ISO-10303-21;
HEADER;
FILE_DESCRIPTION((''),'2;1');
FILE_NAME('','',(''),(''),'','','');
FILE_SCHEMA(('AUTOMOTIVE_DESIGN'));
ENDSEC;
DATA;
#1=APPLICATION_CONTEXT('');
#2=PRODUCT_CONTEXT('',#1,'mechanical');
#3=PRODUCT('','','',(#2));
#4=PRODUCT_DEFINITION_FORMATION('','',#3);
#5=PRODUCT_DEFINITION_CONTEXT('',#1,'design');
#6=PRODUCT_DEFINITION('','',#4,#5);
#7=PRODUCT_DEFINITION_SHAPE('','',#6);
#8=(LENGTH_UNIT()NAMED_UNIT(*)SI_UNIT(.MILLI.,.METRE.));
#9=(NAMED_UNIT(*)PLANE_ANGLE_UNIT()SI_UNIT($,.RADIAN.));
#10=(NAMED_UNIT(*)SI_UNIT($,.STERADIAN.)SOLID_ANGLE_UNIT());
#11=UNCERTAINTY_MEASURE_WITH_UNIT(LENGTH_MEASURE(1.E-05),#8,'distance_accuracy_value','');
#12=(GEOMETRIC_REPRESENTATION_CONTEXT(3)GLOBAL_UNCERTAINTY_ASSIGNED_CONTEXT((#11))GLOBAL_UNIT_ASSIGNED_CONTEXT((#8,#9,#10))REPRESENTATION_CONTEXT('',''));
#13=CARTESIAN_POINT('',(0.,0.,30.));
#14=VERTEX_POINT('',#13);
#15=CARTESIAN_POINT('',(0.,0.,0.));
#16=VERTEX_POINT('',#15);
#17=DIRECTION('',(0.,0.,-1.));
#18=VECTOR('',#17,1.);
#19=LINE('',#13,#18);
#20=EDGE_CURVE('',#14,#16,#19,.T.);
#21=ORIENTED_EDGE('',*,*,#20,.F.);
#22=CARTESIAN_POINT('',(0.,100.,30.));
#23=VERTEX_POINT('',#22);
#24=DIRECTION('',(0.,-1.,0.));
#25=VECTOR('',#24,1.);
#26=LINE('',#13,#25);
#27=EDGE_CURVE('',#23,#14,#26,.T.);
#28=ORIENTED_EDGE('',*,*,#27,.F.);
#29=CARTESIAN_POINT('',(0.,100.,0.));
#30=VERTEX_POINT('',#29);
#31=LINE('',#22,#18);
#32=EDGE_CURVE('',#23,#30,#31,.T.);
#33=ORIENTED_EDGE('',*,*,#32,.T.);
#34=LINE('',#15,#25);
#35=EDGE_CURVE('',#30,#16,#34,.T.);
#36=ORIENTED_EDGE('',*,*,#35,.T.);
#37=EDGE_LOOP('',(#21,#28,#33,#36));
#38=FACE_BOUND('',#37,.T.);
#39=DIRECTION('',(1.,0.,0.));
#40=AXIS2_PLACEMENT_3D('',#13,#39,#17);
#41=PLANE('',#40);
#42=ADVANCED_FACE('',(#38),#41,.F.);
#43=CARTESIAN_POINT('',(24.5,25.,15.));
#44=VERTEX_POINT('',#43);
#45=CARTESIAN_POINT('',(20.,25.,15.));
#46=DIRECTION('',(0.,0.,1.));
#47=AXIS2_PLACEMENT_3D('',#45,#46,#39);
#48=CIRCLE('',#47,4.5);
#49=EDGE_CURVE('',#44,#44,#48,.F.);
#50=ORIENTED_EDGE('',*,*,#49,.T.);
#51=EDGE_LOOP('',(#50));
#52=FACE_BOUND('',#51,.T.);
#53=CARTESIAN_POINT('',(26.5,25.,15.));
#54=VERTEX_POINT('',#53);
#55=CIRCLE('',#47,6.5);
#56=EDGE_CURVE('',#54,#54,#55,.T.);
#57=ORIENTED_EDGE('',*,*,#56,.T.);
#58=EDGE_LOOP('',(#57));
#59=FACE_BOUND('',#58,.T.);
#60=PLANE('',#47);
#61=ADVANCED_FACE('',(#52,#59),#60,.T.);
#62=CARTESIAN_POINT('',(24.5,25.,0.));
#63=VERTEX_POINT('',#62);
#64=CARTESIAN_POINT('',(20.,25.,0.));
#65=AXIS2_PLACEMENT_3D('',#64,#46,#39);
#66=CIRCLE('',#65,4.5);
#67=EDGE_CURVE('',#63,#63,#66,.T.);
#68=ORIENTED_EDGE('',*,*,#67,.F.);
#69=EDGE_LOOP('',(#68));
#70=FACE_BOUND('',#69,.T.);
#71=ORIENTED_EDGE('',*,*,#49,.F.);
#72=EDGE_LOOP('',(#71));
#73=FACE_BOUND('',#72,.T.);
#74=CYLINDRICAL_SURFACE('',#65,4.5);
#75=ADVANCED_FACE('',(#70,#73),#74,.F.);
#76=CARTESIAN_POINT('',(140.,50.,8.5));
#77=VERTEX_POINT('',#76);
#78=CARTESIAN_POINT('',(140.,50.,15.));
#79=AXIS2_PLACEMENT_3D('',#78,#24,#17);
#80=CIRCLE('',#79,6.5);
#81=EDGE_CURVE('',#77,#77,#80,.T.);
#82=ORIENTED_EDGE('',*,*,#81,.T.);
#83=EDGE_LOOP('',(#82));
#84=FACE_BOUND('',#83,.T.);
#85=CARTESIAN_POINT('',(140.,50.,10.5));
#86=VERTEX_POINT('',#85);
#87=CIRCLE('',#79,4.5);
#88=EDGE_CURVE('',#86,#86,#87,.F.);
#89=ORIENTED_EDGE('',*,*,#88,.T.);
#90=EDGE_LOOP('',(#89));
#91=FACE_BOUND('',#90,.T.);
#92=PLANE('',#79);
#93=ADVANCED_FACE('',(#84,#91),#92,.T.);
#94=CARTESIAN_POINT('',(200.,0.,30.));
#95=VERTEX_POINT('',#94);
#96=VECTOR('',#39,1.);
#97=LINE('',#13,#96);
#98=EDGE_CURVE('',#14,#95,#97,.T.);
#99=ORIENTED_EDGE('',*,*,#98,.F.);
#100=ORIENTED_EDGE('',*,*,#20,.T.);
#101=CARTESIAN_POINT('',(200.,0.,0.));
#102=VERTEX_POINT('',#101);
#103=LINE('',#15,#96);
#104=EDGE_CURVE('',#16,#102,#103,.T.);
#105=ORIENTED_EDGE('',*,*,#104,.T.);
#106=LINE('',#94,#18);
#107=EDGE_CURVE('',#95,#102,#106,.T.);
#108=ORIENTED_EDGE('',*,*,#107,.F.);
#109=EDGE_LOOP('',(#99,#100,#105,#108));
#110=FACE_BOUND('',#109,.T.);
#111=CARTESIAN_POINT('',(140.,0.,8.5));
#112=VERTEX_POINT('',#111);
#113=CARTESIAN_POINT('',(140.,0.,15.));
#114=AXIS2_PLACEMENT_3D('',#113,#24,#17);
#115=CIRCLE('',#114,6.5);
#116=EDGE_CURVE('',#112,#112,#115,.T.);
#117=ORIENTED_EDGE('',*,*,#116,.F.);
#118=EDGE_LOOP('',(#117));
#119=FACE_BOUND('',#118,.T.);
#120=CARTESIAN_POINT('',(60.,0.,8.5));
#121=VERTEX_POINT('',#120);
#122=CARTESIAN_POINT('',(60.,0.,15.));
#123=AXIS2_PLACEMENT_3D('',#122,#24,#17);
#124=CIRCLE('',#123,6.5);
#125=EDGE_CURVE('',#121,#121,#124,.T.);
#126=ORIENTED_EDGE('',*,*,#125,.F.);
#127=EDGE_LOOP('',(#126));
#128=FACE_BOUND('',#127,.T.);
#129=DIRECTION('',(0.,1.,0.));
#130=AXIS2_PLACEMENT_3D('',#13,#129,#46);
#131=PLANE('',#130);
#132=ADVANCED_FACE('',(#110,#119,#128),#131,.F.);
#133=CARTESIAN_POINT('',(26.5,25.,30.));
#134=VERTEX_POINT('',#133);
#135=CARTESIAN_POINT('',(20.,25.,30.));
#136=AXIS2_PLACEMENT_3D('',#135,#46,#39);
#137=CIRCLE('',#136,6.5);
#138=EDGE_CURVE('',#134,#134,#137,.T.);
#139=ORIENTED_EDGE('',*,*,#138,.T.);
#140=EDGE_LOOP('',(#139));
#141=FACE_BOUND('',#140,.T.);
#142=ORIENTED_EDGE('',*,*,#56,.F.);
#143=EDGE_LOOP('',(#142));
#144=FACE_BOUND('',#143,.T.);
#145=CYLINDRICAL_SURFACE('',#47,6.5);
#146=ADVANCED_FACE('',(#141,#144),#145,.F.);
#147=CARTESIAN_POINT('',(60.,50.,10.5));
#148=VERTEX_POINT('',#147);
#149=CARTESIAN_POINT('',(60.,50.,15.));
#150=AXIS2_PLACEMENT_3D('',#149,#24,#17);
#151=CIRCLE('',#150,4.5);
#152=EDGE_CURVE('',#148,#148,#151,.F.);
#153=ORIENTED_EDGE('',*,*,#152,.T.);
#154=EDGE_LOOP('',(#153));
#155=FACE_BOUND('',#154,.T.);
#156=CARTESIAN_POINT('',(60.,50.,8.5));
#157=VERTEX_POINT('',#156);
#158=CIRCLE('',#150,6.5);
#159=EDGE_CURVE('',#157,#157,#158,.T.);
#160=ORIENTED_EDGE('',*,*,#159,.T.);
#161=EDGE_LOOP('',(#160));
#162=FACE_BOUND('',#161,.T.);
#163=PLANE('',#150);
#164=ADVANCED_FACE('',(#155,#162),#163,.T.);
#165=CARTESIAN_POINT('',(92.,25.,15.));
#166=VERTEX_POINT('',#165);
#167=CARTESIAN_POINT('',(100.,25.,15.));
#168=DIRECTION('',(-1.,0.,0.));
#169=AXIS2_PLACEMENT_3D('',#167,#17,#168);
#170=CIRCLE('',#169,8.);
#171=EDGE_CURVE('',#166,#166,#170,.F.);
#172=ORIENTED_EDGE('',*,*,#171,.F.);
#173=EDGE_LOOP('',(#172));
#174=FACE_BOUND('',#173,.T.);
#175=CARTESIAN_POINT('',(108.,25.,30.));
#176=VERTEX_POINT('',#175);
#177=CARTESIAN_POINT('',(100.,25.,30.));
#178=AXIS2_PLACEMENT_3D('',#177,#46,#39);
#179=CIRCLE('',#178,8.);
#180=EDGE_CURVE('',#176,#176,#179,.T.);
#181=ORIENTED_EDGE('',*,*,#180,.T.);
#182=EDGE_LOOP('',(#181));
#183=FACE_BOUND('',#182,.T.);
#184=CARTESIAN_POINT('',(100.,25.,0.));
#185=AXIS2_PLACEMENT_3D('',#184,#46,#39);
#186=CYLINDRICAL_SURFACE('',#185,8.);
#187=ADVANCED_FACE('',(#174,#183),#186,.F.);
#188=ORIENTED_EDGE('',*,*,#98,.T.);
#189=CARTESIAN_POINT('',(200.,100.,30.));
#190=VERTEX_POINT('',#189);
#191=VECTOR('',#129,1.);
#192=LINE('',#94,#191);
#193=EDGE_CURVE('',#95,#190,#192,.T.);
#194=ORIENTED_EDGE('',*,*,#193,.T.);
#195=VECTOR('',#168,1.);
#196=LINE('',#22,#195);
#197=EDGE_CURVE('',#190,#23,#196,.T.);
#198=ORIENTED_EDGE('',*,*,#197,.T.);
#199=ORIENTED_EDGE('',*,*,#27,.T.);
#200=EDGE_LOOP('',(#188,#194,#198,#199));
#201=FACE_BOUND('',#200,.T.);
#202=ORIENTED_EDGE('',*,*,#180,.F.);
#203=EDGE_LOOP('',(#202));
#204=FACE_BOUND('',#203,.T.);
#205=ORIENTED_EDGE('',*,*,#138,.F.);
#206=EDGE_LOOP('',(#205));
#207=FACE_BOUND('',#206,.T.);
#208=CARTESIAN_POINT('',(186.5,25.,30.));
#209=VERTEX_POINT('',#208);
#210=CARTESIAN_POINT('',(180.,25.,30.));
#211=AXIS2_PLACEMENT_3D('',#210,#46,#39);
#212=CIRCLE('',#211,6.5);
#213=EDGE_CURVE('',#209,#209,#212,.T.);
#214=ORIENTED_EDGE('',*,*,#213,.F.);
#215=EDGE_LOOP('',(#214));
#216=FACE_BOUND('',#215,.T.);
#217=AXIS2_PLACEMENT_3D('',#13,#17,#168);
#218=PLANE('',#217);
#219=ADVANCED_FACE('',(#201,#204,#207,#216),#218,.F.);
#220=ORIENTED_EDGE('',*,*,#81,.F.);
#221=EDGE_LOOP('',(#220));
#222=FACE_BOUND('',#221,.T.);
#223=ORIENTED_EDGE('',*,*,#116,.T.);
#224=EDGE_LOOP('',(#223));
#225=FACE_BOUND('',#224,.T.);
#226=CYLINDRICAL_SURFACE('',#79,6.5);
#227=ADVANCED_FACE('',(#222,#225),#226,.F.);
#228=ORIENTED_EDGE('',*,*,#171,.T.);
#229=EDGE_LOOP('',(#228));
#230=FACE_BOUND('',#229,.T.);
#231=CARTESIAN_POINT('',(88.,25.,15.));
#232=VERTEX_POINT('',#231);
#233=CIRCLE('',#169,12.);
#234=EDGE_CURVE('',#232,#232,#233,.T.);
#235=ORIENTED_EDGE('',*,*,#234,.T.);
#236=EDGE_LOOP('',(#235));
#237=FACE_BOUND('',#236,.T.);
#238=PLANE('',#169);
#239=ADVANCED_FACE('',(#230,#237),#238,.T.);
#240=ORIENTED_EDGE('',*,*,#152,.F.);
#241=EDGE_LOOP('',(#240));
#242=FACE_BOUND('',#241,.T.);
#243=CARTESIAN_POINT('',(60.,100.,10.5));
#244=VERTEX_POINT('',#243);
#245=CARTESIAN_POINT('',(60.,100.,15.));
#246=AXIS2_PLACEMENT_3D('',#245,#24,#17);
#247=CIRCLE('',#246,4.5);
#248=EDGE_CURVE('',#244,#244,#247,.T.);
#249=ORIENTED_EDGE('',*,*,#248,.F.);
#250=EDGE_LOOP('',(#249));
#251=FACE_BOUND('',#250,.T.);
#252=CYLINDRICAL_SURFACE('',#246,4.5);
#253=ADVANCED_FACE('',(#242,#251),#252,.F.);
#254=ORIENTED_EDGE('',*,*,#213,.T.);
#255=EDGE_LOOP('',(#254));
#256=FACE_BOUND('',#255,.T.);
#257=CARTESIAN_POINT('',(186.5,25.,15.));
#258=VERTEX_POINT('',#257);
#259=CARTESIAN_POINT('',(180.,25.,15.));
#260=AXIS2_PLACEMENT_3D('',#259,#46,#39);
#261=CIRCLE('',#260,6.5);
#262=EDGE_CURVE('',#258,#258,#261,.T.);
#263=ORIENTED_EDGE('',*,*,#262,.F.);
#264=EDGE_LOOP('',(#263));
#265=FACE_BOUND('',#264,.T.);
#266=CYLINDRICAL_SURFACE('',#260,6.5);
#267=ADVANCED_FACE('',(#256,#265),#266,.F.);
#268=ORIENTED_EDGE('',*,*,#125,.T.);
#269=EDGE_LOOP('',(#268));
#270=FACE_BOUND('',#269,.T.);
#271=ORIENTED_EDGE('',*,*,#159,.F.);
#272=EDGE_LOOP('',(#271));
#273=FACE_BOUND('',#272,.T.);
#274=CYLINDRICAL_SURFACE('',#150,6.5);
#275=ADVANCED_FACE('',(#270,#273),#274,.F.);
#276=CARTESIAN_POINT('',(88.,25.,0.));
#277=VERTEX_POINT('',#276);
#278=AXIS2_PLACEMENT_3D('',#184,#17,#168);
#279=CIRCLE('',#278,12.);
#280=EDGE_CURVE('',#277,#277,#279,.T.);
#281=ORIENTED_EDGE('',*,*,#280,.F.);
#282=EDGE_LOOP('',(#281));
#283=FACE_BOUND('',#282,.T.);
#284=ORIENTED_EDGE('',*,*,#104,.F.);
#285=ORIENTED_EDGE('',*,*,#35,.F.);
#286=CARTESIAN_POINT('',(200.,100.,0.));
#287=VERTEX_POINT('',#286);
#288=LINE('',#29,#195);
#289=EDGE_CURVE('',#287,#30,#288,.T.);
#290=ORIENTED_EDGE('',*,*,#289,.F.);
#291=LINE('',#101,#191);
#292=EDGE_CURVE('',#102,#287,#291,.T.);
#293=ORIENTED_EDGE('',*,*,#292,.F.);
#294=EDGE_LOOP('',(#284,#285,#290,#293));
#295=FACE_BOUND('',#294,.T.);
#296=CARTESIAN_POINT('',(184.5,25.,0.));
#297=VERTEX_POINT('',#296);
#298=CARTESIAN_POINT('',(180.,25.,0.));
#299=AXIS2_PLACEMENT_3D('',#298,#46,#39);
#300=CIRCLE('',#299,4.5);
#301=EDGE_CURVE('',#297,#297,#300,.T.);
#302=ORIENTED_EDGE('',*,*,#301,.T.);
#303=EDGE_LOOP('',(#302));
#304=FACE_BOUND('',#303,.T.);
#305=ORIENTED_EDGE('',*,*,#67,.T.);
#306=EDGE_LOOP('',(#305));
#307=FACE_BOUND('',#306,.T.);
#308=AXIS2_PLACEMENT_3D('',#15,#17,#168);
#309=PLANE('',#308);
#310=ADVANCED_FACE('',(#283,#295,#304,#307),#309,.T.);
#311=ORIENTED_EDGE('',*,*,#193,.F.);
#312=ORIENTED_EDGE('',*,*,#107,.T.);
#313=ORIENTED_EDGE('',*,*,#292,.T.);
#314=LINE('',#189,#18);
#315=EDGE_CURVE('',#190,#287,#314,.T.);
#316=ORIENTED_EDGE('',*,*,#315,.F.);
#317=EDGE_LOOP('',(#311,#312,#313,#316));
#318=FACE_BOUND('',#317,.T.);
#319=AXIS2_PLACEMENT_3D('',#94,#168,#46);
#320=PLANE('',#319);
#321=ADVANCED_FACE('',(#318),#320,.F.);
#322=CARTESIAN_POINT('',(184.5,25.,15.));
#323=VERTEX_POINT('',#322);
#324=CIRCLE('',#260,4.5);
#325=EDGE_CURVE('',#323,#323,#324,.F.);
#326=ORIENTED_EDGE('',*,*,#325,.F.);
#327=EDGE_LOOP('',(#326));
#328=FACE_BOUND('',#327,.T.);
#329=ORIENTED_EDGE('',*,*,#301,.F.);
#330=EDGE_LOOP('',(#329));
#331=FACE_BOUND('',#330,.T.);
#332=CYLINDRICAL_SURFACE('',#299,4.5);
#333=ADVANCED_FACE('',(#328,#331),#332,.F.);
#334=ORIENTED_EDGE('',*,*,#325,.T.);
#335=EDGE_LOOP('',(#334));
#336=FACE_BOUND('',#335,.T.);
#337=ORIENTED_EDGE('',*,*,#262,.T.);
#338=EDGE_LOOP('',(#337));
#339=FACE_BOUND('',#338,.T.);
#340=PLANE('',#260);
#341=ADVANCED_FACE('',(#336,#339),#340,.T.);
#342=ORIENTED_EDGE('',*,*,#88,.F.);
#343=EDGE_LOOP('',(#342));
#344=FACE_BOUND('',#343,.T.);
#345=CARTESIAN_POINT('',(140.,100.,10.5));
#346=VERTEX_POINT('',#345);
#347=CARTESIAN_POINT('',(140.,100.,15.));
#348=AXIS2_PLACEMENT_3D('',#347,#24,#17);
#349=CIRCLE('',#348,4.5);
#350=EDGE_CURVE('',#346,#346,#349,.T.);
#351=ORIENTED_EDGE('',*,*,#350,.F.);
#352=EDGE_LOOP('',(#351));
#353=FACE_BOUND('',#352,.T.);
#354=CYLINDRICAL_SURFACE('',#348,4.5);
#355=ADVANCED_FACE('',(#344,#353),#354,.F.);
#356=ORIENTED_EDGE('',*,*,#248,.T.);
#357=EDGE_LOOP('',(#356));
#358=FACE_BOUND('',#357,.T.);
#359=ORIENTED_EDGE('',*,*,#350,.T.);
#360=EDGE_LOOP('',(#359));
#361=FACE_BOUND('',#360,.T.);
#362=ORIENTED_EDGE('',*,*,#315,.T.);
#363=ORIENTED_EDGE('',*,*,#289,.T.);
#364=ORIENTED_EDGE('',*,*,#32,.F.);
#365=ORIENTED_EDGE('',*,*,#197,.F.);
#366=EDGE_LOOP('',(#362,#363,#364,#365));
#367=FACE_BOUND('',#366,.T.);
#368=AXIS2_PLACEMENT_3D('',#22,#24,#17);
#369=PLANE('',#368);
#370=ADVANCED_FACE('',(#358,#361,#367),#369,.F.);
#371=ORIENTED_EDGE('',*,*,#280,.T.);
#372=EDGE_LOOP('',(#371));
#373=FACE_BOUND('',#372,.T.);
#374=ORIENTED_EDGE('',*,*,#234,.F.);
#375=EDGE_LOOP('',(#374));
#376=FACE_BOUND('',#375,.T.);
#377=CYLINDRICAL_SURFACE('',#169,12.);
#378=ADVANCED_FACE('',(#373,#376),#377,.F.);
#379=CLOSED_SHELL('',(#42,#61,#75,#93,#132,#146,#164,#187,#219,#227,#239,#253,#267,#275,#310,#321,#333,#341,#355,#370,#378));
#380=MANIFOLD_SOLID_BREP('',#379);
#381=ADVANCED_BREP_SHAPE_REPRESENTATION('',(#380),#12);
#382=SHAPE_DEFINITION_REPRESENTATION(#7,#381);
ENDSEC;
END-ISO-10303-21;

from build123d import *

# Parameters (mm, degrees)
SKETCH_1_W          = 200
SKETCH_1_H          = 100
EXTRUDE_1_DEPTH     = 30
SKETCH_2_R          = 4.5
SKETCH_2_R_2        = 8
CUT_EXTRUDE_1_DEPTH = 226.610283454
SKETCH_3_R          = 4.5
CUT_EXTRUDE_2_DEPTH = 226.610283454
SKETCH_4_R          = 6.5
CUT_EXTRUDE_3_DEPTH = 50
SKETCH_5_R          = 6.5
CUT_EXTRUDE_4_DEPTH = 15
SKETCH_6_R          = 12
CUT_EXTRUDE_5_DEPTH = 15


with BuildPart() as part:
    # 草图1 → 凸台-拉伸1 (new body)
    with BuildSketch(Plane.XY):
        with Locations((100, 50)):
            Rectangle(SKETCH_1_W, SKETCH_1_H)
    extrude(amount=EXTRUDE_1_DEPTH)

    # 草图2 → 切除-拉伸1 (cut, through all)
    with BuildSketch(Plane.XY.offset(30)):
        with Locations((20, 25)):
            Circle(SKETCH_2_R)
        with Locations((100, 25)):
            Circle(SKETCH_2_R_2)
        with Locations((180, 25)):
            Circle(SKETCH_2_R)
    extrude(amount=-CUT_EXTRUDE_1_DEPTH, mode=Mode.SUBTRACT)

    # 草图3 → 切除-拉伸2 (cut, through all)
    with BuildSketch(Plane.XZ):
        with Locations(Location((60, 15, 0), (0, 0, 270))):
            Circle(SKETCH_3_R)
        with Locations(Location((140, 15, 0), (0, 0, 270))):
            Circle(SKETCH_3_R)
    extrude(amount=-CUT_EXTRUDE_2_DEPTH, mode=Mode.SUBTRACT)

    # 草图4 → 切除-拉伸3 (cut)
    with BuildSketch(Plane.XZ):
        with Locations(Location((60, 15, 0), (0, 0, 270))):
            Circle(SKETCH_4_R)
        with Locations(Location((140, 15, 0), (0, 0, 270))):
            Circle(SKETCH_4_R)
    extrude(amount=-CUT_EXTRUDE_3_DEPTH, mode=Mode.SUBTRACT)

    # 草图5 → 切除-拉伸4 (cut)
    with BuildSketch(Plane.XY.offset(30)):
        with Locations((20, 25)):
            Circle(SKETCH_5_R)
        with Locations((180, 25)):
            Circle(SKETCH_5_R)
    extrude(amount=-CUT_EXTRUDE_4_DEPTH, mode=Mode.SUBTRACT)

    # 草图6 → 切除-拉伸5 (cut)
    with BuildSketch(Plane(origin=(0, 0, 0), x_dir=(-1, 0, 0), z_dir=(0, 0, -1))):
        with Locations((-100, 25)):
            Circle(SKETCH_6_R)
    extrude(amount=-CUT_EXTRUDE_5_DEPTH, mode=Mode.SUBTRACT)


solid = part.part
